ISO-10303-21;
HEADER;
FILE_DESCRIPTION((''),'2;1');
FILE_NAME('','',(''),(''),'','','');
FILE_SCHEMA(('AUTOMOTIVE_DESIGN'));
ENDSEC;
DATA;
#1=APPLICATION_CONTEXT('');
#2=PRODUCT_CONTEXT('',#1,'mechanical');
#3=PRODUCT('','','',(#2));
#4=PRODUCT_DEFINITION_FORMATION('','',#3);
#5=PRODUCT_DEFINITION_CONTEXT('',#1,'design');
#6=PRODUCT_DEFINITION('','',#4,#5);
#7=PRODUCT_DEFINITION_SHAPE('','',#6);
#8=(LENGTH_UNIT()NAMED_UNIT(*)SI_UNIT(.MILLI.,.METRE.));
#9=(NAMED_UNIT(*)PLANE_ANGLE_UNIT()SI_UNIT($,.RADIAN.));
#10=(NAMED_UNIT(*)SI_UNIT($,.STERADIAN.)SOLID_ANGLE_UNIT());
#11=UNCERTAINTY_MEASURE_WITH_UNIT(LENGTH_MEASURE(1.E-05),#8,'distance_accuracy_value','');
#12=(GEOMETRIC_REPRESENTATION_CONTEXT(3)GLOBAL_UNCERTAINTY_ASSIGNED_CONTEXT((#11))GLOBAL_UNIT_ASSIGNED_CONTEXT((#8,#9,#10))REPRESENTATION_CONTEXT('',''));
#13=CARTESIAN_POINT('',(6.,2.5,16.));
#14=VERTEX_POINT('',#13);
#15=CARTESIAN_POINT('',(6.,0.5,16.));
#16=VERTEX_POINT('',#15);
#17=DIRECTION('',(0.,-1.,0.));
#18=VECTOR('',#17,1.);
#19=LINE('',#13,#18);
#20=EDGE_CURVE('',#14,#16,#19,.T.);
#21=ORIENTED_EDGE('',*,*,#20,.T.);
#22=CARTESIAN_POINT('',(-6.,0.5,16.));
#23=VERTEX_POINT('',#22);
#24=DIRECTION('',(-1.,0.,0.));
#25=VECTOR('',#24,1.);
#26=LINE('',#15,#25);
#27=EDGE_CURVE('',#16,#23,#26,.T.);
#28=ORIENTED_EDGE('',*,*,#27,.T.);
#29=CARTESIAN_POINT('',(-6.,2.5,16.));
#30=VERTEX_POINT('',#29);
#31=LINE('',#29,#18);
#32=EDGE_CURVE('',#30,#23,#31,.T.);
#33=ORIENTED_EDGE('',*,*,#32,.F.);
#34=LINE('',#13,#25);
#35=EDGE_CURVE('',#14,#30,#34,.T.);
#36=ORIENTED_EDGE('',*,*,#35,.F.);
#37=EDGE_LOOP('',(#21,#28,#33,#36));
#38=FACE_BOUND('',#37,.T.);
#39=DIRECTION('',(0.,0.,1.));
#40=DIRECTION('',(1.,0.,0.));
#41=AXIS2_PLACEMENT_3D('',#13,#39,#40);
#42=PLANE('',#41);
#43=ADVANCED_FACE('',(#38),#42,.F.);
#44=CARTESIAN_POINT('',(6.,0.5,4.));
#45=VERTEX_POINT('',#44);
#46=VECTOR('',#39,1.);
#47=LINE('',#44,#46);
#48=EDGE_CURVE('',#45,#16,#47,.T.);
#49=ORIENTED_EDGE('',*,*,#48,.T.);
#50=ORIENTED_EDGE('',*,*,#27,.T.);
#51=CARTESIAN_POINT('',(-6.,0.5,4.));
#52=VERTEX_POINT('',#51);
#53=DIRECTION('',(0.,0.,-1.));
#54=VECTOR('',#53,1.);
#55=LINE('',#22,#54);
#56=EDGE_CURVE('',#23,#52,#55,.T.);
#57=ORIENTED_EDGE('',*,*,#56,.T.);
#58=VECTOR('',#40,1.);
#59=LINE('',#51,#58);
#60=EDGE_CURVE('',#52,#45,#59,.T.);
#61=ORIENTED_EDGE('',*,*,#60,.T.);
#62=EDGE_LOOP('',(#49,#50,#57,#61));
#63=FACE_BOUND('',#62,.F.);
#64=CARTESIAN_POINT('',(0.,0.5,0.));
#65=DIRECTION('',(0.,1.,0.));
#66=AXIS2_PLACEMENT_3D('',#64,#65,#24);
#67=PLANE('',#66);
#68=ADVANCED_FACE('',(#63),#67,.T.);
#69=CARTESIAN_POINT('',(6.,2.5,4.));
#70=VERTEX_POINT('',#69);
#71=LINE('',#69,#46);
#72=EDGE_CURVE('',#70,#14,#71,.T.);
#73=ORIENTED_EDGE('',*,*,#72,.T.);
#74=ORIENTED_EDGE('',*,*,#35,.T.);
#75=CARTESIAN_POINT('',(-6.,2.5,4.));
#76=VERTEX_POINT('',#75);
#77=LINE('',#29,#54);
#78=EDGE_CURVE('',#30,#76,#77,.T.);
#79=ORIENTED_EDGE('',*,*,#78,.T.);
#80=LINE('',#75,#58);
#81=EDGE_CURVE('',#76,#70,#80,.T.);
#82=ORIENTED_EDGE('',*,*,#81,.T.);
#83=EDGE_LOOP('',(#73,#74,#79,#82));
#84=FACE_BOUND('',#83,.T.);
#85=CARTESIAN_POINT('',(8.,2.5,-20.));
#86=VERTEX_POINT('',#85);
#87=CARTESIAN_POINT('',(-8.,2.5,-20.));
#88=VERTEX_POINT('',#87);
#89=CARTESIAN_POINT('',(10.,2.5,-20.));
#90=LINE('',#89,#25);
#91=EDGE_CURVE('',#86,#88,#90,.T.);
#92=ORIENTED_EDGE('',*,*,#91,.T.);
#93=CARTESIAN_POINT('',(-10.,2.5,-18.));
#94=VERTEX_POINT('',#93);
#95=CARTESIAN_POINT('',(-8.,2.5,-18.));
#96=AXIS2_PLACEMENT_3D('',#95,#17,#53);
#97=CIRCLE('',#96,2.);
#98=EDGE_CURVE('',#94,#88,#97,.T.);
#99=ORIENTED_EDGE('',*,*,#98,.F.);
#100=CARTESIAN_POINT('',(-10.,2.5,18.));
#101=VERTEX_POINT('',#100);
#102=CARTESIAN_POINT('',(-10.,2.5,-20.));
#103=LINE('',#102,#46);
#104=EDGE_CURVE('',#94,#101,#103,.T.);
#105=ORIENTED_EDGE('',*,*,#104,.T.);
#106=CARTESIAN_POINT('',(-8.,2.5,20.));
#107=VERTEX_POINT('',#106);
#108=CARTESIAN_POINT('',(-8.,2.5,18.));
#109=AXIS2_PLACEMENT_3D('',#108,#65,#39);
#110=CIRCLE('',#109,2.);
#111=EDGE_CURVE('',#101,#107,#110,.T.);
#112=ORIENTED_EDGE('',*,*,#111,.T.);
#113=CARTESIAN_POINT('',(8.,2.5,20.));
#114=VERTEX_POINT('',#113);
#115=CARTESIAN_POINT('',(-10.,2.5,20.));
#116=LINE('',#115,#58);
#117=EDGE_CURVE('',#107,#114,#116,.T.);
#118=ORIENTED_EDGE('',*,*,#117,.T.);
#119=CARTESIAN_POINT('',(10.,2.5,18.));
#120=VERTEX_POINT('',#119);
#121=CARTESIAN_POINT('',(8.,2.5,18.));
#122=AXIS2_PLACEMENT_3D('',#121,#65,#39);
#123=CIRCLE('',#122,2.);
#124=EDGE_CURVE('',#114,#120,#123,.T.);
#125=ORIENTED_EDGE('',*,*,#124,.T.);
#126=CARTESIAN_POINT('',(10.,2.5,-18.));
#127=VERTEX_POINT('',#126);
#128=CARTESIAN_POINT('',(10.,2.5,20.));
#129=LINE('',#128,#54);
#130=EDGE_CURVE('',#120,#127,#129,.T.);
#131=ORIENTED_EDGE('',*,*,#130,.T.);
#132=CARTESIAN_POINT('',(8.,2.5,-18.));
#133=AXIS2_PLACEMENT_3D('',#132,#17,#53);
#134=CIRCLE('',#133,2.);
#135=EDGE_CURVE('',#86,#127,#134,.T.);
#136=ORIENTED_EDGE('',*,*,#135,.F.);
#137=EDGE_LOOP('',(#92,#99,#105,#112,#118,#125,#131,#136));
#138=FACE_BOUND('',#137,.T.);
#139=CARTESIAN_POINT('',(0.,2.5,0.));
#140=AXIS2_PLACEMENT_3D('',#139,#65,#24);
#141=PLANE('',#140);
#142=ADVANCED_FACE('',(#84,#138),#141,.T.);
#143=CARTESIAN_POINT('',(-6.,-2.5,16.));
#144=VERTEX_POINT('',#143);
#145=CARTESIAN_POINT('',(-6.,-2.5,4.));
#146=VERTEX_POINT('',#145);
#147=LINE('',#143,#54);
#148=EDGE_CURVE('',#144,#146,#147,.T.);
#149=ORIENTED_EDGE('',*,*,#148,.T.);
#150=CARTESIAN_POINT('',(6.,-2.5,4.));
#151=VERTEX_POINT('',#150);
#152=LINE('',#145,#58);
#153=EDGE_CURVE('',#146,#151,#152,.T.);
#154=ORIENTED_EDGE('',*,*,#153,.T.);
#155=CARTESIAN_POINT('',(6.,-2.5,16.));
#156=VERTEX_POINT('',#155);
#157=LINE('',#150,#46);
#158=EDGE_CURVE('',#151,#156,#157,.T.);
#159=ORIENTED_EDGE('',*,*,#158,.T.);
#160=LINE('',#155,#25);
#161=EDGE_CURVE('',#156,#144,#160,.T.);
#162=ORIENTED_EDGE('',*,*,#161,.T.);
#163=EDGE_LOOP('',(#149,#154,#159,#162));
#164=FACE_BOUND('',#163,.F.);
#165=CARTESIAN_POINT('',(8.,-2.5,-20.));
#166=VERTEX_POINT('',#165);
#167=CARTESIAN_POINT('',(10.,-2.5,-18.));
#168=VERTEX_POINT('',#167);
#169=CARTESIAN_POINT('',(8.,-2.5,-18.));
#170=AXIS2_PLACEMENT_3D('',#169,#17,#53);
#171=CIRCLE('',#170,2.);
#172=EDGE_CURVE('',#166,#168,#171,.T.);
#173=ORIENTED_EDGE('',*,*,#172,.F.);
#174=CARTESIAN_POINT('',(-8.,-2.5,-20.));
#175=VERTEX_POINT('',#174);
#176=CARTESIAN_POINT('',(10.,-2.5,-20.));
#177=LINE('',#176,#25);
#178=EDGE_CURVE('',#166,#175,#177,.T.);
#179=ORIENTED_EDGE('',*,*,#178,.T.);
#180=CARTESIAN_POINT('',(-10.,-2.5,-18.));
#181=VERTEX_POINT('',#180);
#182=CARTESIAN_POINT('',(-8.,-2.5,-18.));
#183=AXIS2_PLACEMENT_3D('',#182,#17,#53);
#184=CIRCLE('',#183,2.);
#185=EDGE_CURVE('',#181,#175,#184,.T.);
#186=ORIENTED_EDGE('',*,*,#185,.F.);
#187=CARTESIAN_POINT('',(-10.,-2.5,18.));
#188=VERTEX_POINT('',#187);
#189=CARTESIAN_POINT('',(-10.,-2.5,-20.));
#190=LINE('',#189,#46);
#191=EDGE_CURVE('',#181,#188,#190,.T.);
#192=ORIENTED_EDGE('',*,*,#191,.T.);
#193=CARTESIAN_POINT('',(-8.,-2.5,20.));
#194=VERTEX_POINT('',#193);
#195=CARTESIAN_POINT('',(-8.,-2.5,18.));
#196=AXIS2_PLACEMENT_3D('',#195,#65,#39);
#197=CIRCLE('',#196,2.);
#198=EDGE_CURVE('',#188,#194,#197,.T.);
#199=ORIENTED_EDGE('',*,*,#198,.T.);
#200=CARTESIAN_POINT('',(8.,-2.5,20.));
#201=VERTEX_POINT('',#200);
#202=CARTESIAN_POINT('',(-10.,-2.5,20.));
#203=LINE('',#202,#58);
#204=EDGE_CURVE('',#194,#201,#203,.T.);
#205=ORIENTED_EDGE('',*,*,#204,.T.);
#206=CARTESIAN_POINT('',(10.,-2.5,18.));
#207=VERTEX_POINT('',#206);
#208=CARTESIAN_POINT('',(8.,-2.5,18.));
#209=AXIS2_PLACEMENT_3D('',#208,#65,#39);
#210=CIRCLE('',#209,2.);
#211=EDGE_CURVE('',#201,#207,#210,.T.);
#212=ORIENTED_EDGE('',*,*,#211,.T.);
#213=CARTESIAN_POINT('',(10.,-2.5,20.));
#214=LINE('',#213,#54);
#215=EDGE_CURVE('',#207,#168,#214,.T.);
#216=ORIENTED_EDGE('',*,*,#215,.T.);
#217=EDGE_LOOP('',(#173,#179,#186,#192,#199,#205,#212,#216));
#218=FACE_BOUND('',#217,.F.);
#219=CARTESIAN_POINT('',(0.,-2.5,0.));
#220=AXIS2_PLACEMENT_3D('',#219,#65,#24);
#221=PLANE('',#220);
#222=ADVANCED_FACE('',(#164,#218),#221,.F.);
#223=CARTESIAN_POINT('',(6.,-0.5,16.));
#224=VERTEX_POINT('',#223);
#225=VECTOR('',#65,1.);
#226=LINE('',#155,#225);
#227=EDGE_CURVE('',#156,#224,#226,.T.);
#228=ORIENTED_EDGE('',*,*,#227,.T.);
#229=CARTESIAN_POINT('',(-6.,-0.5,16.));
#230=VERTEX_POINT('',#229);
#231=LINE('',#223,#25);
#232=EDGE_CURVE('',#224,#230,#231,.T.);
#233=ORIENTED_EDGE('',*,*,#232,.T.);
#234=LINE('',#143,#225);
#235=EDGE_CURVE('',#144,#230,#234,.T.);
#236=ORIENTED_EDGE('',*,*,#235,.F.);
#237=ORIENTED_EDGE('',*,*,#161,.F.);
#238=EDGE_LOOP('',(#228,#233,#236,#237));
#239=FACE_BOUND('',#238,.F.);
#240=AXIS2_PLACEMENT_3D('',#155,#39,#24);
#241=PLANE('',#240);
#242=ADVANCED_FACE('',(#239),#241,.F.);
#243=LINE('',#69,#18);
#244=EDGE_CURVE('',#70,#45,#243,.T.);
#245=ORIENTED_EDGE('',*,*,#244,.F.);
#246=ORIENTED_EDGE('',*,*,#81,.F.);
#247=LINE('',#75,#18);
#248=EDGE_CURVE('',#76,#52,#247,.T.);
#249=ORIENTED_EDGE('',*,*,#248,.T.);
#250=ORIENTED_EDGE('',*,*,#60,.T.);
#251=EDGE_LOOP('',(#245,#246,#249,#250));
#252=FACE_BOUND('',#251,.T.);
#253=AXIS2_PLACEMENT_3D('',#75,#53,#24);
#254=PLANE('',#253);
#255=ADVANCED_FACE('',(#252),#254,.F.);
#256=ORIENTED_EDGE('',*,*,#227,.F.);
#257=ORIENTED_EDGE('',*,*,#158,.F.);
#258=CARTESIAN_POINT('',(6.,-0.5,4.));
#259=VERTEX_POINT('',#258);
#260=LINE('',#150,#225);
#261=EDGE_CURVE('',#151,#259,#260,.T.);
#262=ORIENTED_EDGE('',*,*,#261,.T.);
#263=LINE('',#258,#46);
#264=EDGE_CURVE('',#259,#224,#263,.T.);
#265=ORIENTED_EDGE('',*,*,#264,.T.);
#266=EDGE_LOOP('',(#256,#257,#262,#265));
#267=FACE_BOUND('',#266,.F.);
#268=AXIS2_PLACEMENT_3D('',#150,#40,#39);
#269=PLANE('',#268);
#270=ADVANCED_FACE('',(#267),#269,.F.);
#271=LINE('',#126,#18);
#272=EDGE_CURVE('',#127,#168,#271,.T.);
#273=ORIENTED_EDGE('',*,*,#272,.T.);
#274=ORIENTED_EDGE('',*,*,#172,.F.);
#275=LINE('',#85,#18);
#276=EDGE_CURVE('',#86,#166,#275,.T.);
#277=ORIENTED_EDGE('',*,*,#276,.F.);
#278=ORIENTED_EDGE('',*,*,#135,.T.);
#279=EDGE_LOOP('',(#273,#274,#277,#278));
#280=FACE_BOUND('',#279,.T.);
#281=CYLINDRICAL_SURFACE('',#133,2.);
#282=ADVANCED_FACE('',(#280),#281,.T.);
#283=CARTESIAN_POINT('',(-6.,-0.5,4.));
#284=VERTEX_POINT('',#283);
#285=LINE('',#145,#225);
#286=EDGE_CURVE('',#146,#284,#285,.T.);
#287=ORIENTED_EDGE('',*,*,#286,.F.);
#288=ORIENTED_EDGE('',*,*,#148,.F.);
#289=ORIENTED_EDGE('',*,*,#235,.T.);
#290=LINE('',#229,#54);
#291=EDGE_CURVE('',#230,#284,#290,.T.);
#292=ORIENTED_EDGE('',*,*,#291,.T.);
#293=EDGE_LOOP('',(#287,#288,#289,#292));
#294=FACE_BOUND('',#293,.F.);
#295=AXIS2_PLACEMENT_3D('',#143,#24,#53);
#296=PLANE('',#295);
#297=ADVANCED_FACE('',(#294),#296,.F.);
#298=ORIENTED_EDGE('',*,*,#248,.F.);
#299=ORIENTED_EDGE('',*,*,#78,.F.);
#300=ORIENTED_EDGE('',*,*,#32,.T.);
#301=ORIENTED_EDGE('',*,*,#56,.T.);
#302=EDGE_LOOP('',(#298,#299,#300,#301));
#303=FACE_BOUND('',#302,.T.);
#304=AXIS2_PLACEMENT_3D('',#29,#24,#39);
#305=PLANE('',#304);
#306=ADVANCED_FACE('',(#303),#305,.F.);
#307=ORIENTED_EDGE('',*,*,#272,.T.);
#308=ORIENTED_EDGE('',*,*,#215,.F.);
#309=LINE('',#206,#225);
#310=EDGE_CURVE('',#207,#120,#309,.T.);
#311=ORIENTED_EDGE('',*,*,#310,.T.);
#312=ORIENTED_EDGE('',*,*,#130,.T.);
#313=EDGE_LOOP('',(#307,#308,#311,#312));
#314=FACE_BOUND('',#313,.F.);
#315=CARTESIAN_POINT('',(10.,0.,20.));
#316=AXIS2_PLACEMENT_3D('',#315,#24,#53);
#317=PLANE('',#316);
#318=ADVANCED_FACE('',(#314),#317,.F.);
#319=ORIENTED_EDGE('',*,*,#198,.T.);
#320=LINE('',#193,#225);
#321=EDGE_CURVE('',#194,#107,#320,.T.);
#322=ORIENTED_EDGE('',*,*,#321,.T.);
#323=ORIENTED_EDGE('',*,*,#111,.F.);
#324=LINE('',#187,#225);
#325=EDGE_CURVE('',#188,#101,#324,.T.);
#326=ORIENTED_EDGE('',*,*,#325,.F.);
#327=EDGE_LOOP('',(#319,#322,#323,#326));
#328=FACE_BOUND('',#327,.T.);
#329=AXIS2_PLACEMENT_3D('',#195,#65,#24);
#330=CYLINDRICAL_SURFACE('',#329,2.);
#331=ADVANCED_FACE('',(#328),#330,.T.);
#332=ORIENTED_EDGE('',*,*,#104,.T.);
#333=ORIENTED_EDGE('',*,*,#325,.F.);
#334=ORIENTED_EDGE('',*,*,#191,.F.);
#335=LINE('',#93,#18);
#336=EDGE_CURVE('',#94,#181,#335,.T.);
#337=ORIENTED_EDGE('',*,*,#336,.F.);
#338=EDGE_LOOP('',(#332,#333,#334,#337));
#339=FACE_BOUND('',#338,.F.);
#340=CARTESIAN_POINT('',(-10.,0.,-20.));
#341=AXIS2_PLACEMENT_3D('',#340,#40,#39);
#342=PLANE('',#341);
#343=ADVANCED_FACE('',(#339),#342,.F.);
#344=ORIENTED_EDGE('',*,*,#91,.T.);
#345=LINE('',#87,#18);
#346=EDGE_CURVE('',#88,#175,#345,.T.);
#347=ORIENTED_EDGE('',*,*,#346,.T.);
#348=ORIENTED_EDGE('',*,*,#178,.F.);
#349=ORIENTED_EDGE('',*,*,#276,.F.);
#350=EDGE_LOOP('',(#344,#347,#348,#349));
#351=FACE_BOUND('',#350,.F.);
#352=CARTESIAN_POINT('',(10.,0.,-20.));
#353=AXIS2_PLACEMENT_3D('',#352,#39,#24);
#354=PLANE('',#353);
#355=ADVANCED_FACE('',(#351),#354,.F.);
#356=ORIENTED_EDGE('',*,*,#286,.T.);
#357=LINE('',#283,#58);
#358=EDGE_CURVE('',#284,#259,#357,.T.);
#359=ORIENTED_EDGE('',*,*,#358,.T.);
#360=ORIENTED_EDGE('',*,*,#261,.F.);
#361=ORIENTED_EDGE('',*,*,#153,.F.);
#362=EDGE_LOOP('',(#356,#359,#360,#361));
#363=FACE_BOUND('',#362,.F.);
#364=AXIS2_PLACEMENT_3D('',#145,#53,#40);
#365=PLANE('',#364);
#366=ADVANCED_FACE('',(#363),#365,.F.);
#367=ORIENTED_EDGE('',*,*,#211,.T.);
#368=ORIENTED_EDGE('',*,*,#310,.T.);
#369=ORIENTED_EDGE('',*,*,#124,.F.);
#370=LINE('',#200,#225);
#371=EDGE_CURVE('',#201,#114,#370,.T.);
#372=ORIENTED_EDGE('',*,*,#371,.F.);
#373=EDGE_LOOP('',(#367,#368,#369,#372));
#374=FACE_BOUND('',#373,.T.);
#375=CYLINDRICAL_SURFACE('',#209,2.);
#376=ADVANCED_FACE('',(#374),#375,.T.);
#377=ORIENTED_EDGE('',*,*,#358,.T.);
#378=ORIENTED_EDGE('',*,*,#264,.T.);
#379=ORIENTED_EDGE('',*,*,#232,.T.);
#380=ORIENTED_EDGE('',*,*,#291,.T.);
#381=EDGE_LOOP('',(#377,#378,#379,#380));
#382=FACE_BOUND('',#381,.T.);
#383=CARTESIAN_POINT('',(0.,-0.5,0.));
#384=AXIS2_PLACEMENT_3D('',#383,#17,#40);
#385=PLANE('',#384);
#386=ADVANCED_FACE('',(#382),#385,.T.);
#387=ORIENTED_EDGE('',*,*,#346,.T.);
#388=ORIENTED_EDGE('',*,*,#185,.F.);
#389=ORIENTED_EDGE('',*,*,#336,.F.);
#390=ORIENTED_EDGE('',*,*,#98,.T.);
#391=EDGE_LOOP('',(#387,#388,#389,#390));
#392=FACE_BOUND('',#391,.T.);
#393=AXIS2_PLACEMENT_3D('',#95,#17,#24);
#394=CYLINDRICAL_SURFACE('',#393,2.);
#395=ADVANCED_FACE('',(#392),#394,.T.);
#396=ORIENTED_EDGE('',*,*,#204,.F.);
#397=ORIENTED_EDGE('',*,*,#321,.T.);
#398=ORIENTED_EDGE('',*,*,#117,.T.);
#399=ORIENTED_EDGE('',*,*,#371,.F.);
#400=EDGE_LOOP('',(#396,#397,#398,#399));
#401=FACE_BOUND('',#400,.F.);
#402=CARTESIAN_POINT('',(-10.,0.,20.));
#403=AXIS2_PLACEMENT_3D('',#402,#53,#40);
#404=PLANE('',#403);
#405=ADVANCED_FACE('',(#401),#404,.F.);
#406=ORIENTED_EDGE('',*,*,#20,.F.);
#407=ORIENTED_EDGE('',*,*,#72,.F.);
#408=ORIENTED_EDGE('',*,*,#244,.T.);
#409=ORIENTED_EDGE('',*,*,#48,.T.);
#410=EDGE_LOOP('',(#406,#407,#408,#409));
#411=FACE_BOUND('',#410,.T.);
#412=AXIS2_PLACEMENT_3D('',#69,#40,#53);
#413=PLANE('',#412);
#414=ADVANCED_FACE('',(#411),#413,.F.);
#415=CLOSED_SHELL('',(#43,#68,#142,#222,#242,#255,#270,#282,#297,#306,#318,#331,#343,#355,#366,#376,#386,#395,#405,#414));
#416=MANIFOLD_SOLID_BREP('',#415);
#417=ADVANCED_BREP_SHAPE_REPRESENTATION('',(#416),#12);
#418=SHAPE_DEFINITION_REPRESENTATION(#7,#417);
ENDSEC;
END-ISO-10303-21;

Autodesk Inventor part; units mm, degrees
ref_plane "YZ Plane" through (0, 0, 0) normal (1, 0, 0) x (0, 1, 0)
ref_plane "XZ Plane" through (0, 0, 0) normal (0, 1, 0) x (-1, 0, 0)
ref_plane "XY Plane" through (0, 0, 0) normal (0, 0, 1) x (1, 0, 0)
sketch "草圖1" plane through (0, 0, 0) normal (0, 1, 0) x (-1, 0, 0)
  line L0 (10, 20) -> (-10, 20)
  line L1 (-10, 20) -> (-10, -20)
  line L2 (-10, -20) -> (10, -20)
  line L3 (10, -20) -> (10, 20)
  line L4 (10, 20) -> (-10, -20) construction
  line L5 (-10, 20) -> (10, -20) construction
  point P0 (0, 0)
  dimension "d0" = 20
  dimension "d1" = 40
extrude "擠出1" add sketch "草圖1" along normal mid plane 5
sketch "草圖2" plane through (0, -2.5, 0) normal (0, -1, 0) x (1, 0, 0)
  line L0 (-6, 4) -> (6, 4)
  line L1 (6, 4) -> (6, 16)
  line L2 (6, 16) -> (-6, 16)
  line L3 (-6, 16) -> (-6, 4)
  line L4 (-6, 4) -> (6, 16) construction
  line L5 (6, 4) -> (-6, 16) construction
  line L6 (10, 20) -> (-10, 20) projected
  point P0 (0, 0)
  point P1 (0, 10)
  point P2 (0, 10)
  dimension "d4" = 12
  dimension "d5" = 12
  dimension "d6" = 10
extrude "擠出2" cut sketch "草圖2" against normal blind 2
fillet "圓角1" radius 2 4 edges at (-10, 0, 20) (10, 0, 20) (10, 0, -20) (-10, 0, -20)
mirror "鏡射1" about plane through (0, 0, 0) normal (0, 1, 0) of "擠出2"
equation "\"d5\" = d4"
properties part number "維修門固定器"
